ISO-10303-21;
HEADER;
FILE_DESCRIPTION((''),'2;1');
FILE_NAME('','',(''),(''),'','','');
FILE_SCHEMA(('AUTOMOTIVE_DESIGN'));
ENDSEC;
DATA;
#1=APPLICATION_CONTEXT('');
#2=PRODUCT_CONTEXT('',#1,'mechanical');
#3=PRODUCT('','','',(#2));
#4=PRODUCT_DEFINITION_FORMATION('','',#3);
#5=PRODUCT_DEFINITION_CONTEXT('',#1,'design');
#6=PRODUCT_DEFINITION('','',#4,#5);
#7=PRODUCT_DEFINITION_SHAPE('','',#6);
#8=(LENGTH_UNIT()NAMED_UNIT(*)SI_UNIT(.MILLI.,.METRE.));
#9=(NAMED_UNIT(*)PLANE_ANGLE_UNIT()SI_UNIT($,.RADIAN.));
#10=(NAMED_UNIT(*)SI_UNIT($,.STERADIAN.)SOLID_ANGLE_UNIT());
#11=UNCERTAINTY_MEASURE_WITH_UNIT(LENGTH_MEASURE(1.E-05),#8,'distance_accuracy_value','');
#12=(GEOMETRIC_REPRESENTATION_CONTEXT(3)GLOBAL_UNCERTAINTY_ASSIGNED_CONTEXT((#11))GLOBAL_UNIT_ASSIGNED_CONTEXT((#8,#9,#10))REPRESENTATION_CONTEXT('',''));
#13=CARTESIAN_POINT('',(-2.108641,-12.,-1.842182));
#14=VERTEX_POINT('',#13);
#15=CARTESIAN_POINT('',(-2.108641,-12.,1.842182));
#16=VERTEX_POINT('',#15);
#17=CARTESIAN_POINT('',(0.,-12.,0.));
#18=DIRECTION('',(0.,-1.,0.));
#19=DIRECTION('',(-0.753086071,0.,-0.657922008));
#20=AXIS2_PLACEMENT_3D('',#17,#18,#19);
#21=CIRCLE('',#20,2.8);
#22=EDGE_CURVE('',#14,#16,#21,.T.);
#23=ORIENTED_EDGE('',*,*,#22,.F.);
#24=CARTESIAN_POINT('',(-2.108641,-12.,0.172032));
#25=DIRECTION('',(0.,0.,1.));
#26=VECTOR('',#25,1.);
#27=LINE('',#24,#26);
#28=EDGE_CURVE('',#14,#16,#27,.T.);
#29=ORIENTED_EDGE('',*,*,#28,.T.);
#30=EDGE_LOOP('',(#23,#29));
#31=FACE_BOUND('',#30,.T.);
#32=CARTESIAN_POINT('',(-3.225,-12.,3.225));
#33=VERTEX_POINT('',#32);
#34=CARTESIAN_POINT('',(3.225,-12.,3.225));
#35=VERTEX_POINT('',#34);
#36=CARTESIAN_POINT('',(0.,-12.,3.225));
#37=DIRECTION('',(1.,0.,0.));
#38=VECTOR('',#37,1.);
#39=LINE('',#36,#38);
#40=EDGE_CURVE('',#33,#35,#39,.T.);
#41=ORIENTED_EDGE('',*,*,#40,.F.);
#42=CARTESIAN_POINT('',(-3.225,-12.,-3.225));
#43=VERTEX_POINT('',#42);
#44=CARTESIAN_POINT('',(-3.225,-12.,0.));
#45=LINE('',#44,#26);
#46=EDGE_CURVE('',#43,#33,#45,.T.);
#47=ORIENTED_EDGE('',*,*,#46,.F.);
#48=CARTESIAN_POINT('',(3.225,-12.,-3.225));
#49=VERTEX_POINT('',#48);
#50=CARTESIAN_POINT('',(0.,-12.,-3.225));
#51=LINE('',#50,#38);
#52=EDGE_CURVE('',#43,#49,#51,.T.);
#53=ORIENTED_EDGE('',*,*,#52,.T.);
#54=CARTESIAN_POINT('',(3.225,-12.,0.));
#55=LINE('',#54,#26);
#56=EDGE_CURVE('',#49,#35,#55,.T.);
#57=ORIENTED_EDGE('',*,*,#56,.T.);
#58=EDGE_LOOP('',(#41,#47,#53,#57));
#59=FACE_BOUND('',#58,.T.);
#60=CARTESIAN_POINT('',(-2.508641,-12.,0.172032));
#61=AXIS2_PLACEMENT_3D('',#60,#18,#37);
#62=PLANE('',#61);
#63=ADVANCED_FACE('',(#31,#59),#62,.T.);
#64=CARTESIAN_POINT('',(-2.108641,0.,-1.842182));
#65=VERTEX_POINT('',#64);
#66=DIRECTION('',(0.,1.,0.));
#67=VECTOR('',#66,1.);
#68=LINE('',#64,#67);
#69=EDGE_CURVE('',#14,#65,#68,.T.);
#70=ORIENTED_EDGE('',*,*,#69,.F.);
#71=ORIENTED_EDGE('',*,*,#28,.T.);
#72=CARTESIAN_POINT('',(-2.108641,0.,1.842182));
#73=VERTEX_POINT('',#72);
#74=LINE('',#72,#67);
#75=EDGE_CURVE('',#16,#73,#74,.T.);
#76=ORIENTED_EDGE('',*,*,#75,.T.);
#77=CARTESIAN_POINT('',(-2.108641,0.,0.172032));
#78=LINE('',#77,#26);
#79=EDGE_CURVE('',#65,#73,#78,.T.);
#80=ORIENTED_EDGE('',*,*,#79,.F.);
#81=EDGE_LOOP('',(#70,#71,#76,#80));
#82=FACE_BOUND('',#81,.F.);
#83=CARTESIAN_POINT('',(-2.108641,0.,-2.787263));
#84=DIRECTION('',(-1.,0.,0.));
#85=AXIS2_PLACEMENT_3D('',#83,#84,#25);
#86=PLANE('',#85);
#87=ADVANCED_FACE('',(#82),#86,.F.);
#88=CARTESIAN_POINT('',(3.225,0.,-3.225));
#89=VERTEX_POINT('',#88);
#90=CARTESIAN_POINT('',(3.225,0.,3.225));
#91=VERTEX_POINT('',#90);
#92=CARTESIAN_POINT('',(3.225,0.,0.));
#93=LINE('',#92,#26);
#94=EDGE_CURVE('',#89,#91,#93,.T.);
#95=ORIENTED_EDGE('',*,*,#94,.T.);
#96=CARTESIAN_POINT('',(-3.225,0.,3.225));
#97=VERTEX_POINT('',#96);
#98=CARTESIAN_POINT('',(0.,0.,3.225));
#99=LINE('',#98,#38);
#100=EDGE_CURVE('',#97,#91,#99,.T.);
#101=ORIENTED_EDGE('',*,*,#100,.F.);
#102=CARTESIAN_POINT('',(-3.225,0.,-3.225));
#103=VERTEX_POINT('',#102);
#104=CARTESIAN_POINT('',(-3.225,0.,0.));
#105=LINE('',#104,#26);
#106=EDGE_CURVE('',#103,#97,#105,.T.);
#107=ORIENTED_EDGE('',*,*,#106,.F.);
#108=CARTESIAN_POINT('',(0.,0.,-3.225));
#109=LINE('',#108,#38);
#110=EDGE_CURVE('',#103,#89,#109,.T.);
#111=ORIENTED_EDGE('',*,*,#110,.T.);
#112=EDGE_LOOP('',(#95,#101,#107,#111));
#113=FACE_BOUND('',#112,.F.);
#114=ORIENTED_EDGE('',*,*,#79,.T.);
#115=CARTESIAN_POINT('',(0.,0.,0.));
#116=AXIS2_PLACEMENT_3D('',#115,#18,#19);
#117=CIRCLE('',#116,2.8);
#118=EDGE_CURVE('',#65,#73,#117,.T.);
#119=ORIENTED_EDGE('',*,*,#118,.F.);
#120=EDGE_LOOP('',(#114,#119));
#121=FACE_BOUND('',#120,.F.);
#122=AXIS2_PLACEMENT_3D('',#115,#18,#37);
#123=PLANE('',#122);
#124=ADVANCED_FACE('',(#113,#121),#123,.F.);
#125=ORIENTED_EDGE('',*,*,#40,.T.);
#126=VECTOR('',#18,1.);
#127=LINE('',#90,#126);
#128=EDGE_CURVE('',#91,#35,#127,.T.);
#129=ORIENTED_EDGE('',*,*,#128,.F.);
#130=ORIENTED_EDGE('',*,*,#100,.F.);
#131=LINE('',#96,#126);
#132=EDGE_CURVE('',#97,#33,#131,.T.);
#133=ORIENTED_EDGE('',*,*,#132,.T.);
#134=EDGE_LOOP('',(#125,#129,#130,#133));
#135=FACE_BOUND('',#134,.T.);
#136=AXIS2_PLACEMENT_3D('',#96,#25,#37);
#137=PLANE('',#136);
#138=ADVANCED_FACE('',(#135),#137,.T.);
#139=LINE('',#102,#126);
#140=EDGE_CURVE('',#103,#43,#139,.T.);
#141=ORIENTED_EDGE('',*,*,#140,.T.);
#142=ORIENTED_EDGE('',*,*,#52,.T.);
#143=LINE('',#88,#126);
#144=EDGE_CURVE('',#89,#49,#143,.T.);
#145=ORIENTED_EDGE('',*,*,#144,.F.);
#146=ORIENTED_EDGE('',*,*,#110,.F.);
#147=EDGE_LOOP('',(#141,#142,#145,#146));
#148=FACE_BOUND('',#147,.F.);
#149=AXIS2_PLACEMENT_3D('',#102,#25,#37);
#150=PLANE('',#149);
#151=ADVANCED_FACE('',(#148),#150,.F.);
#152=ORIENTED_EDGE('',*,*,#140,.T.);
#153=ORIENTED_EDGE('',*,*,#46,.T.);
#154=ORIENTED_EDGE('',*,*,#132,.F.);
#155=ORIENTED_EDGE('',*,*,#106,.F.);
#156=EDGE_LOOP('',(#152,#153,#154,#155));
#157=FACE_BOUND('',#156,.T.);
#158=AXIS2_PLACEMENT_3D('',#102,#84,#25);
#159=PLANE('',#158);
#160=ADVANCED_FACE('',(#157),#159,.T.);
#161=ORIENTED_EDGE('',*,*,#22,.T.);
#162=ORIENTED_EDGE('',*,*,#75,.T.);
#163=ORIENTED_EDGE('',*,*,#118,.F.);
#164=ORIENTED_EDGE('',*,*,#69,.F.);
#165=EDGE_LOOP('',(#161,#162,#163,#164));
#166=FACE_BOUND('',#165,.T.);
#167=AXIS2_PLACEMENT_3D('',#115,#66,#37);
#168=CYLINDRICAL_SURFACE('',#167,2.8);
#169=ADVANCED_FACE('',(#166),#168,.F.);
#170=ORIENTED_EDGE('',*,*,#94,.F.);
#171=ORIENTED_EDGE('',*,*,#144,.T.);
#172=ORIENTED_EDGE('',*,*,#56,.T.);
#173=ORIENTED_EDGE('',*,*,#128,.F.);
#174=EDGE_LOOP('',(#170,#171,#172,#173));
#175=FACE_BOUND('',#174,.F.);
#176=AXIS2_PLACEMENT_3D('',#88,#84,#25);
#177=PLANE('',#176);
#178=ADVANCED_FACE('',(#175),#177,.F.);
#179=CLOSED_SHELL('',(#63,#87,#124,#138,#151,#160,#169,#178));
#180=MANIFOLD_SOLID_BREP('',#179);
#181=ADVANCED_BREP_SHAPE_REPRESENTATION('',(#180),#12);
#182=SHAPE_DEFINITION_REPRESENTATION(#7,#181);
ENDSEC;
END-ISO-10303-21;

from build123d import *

# Parameters (mm, degrees)
F0_W     = 6.45
F0_H     = 6.45
F2_DEPTH = 12
F1_R     = 2.8
F3_DEPTH = 12
F4_W     = 0.8
F4_H     = 5.918589
F5_DEPTH = 12


with BuildPart() as f2:
    # F0 (on Front) → F2 (new body)
    with BuildSketch(Plane.XZ):
        Rectangle(F0_W, F0_H)
    extrude(amount=F2_DEPTH)

    # F1 (on Front) → F3 (cut)
    with BuildSketch(Plane.XZ):
        Circle(F1_R)
    extrude(amount=F3_DEPTH, mode=Mode.SUBTRACT)

    # F4 (on Front) → F5 (join)
    with BuildSketch(Plane.XZ):
        with Locations((-2.508641, 0.172032)):
            Rectangle(F4_W, F4_H)
    extrude(amount=F5_DEPTH)


solid = f2.part
